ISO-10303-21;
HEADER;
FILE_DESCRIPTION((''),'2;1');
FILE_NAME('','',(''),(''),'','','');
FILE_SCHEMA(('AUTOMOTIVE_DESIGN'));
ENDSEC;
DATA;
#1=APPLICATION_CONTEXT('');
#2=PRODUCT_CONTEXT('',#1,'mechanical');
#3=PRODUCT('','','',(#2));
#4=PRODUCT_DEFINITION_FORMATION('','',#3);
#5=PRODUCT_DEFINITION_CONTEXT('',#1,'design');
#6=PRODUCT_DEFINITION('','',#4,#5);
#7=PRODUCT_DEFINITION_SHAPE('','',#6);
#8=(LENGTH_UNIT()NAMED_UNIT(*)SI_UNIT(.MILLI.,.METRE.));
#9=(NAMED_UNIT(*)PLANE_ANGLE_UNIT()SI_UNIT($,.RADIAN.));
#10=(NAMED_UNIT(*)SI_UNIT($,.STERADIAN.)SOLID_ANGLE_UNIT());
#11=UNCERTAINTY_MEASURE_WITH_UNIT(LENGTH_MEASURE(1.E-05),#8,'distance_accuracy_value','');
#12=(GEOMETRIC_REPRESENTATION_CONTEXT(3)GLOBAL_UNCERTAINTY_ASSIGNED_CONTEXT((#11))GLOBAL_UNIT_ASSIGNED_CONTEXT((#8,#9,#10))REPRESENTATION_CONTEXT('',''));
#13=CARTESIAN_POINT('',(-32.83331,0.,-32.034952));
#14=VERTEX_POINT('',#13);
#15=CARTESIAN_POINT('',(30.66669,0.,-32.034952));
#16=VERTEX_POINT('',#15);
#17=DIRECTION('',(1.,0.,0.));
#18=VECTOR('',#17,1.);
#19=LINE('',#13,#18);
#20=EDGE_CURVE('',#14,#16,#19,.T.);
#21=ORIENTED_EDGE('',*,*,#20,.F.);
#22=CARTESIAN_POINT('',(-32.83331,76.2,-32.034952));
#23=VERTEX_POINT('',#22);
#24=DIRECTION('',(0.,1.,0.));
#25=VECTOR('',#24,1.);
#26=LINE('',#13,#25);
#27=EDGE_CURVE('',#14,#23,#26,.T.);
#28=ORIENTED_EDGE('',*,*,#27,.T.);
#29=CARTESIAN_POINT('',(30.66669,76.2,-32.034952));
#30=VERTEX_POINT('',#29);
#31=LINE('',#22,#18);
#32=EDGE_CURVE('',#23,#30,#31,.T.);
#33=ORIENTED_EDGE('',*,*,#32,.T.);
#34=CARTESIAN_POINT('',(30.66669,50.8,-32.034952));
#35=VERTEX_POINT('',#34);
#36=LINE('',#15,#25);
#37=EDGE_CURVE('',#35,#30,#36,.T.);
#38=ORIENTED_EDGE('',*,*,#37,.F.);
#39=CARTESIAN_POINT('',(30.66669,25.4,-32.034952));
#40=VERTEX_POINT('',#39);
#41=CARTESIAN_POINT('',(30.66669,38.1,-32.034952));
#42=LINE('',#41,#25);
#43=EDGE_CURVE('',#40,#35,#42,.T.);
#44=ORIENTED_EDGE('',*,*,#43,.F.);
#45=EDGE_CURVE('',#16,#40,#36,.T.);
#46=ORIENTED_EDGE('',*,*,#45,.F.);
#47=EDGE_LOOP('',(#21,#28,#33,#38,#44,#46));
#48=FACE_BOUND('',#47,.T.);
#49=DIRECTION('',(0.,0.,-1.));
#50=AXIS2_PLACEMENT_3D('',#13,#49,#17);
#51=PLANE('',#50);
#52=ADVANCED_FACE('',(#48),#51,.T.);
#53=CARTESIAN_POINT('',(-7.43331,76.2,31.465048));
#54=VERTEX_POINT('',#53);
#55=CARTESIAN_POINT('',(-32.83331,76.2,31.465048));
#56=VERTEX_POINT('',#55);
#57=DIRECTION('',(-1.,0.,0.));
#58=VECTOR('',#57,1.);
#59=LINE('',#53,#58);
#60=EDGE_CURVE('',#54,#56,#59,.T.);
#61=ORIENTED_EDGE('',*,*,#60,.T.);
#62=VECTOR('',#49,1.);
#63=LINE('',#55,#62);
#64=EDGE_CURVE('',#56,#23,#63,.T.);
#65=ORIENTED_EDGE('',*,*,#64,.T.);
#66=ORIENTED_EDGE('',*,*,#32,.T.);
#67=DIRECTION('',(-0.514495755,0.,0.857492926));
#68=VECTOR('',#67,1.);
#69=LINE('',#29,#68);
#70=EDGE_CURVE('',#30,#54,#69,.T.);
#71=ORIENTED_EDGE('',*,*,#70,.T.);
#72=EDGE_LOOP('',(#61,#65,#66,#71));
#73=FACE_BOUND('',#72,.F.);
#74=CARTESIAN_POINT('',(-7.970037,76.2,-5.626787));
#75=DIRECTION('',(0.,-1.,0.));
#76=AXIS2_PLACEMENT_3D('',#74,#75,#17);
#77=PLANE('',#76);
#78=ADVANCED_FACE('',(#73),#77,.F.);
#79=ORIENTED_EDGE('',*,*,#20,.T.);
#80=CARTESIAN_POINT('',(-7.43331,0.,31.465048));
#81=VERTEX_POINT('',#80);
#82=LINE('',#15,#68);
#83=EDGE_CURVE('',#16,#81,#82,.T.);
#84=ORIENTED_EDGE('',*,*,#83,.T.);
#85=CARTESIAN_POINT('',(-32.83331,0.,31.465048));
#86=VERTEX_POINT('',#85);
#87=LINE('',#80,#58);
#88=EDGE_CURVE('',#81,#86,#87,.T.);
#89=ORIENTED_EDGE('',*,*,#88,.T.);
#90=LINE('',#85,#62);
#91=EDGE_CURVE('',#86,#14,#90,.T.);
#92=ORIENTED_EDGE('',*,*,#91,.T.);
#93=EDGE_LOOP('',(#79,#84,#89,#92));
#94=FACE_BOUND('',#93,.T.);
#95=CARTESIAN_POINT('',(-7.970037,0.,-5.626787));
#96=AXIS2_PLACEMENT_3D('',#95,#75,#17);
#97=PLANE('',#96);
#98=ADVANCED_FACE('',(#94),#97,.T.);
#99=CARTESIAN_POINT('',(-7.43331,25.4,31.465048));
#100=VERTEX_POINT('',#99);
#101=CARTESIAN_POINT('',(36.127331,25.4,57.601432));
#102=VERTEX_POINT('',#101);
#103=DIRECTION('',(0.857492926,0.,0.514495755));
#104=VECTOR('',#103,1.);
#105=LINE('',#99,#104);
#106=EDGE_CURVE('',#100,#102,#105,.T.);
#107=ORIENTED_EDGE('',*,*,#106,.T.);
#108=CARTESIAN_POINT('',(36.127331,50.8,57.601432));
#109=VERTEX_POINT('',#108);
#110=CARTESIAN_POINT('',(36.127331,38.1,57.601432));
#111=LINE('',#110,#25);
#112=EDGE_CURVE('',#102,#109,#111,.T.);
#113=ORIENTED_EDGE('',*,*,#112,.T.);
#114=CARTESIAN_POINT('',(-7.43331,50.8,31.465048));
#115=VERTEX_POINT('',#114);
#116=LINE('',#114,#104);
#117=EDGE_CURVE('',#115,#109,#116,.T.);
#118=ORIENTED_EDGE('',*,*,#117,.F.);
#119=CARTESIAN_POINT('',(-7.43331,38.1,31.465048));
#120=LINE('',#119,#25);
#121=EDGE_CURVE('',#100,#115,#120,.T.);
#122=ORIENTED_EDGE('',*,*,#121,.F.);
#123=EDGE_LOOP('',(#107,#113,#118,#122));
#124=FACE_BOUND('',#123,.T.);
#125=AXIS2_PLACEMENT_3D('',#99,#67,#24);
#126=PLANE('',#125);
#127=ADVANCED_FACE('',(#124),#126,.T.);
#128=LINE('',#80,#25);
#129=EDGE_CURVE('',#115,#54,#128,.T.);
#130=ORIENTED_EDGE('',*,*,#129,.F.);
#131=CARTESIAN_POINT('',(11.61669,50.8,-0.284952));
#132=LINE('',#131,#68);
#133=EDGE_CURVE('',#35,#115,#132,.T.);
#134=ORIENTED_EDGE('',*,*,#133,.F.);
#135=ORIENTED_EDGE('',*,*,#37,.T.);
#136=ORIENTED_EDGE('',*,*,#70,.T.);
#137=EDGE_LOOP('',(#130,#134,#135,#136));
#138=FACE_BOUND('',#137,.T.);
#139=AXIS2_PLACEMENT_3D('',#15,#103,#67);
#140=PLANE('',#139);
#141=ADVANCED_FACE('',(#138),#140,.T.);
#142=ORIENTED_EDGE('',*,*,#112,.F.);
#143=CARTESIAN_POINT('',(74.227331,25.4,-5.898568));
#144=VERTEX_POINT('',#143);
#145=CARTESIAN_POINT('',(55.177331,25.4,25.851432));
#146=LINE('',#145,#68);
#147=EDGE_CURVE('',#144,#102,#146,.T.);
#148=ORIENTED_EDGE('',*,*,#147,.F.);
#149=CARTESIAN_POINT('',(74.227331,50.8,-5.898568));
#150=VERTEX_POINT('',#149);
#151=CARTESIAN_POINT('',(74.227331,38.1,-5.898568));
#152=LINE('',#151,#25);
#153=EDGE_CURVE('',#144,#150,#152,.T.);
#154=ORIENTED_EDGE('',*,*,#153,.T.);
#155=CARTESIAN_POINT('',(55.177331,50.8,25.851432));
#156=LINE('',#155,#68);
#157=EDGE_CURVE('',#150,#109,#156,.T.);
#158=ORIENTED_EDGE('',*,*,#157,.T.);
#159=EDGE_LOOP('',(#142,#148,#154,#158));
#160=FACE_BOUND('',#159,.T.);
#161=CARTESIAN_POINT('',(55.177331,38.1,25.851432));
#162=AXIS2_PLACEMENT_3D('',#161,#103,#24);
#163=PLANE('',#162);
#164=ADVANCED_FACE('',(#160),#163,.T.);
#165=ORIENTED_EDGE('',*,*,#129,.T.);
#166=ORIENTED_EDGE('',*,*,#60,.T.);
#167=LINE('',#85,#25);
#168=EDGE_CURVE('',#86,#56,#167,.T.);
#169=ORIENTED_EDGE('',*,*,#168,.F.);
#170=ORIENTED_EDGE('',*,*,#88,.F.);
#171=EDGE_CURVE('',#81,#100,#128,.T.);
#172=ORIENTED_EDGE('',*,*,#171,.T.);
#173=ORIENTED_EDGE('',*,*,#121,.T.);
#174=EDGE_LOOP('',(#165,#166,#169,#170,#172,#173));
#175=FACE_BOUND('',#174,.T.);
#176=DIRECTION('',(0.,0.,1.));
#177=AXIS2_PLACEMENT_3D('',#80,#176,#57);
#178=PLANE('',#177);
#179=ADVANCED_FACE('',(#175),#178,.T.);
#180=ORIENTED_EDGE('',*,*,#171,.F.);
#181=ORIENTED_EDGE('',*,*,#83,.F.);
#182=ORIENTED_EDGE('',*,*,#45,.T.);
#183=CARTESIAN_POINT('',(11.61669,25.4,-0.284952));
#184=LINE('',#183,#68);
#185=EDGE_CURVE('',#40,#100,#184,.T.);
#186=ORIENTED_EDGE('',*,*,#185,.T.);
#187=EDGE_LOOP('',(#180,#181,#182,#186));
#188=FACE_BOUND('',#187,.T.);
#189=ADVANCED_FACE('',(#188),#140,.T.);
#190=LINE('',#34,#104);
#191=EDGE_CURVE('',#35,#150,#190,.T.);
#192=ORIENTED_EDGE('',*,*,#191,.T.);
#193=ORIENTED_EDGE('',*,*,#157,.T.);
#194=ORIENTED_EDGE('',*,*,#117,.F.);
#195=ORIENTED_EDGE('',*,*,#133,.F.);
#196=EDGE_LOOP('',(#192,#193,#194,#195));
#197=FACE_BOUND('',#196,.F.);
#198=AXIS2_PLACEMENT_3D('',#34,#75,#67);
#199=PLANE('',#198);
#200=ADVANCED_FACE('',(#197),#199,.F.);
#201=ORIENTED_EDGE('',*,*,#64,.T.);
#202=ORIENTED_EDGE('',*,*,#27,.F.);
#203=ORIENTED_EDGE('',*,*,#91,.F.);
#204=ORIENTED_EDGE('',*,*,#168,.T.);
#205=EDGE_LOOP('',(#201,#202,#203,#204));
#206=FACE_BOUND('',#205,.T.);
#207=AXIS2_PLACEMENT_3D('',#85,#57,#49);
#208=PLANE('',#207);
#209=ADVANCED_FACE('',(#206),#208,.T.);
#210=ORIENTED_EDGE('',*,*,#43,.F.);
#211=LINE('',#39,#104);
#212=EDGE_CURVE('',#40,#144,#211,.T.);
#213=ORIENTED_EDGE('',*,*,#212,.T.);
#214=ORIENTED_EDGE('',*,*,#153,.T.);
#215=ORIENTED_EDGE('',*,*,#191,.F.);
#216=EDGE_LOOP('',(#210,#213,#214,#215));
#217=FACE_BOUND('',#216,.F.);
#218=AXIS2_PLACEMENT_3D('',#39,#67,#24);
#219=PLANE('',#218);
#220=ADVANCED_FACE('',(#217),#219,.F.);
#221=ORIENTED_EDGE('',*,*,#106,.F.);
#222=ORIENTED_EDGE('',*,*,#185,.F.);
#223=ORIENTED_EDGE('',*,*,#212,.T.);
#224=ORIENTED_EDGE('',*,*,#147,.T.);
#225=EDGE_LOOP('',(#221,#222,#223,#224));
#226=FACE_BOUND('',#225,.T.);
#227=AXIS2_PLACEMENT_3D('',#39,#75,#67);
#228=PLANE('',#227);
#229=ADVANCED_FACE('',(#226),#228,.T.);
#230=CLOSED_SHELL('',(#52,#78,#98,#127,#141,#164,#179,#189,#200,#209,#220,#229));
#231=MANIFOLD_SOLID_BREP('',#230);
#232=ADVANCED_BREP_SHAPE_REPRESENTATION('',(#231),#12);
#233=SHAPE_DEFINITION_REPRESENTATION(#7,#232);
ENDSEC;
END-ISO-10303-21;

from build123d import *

# Parameters (mm, degrees)
F1_DEPTH = 76.2
F2_W     = 25.4
F2_H     = 74.0530890645
F3_DEPTH = 50.8


with BuildPart() as f1:
    # F0 (on Front) → F1 (new body)
    with BuildSketch(Plane.XZ):
        Polygon((-32.8333097622, 31.4650478065), (-32.8333097622, -32.0349521935), (30.6666902378, -32.0349521935), (-7.4333097622, 31.4650478065), align=None)
    extrude(amount=-F1_DEPTH)

    # F2 (on face) → F3 (join)
    with BuildSketch(Plane(origin=(8.4159697954, 0, 5.0495818772), x_dir=(0, 1, 0), z_dir=(0.8574929257, 0, 0.5144957554))):
        with Locations((38.1, -6.2210823096)):
            Rectangle(F2_W, F2_H)
    extrude(amount=F3_DEPTH)


solid = f1.part
